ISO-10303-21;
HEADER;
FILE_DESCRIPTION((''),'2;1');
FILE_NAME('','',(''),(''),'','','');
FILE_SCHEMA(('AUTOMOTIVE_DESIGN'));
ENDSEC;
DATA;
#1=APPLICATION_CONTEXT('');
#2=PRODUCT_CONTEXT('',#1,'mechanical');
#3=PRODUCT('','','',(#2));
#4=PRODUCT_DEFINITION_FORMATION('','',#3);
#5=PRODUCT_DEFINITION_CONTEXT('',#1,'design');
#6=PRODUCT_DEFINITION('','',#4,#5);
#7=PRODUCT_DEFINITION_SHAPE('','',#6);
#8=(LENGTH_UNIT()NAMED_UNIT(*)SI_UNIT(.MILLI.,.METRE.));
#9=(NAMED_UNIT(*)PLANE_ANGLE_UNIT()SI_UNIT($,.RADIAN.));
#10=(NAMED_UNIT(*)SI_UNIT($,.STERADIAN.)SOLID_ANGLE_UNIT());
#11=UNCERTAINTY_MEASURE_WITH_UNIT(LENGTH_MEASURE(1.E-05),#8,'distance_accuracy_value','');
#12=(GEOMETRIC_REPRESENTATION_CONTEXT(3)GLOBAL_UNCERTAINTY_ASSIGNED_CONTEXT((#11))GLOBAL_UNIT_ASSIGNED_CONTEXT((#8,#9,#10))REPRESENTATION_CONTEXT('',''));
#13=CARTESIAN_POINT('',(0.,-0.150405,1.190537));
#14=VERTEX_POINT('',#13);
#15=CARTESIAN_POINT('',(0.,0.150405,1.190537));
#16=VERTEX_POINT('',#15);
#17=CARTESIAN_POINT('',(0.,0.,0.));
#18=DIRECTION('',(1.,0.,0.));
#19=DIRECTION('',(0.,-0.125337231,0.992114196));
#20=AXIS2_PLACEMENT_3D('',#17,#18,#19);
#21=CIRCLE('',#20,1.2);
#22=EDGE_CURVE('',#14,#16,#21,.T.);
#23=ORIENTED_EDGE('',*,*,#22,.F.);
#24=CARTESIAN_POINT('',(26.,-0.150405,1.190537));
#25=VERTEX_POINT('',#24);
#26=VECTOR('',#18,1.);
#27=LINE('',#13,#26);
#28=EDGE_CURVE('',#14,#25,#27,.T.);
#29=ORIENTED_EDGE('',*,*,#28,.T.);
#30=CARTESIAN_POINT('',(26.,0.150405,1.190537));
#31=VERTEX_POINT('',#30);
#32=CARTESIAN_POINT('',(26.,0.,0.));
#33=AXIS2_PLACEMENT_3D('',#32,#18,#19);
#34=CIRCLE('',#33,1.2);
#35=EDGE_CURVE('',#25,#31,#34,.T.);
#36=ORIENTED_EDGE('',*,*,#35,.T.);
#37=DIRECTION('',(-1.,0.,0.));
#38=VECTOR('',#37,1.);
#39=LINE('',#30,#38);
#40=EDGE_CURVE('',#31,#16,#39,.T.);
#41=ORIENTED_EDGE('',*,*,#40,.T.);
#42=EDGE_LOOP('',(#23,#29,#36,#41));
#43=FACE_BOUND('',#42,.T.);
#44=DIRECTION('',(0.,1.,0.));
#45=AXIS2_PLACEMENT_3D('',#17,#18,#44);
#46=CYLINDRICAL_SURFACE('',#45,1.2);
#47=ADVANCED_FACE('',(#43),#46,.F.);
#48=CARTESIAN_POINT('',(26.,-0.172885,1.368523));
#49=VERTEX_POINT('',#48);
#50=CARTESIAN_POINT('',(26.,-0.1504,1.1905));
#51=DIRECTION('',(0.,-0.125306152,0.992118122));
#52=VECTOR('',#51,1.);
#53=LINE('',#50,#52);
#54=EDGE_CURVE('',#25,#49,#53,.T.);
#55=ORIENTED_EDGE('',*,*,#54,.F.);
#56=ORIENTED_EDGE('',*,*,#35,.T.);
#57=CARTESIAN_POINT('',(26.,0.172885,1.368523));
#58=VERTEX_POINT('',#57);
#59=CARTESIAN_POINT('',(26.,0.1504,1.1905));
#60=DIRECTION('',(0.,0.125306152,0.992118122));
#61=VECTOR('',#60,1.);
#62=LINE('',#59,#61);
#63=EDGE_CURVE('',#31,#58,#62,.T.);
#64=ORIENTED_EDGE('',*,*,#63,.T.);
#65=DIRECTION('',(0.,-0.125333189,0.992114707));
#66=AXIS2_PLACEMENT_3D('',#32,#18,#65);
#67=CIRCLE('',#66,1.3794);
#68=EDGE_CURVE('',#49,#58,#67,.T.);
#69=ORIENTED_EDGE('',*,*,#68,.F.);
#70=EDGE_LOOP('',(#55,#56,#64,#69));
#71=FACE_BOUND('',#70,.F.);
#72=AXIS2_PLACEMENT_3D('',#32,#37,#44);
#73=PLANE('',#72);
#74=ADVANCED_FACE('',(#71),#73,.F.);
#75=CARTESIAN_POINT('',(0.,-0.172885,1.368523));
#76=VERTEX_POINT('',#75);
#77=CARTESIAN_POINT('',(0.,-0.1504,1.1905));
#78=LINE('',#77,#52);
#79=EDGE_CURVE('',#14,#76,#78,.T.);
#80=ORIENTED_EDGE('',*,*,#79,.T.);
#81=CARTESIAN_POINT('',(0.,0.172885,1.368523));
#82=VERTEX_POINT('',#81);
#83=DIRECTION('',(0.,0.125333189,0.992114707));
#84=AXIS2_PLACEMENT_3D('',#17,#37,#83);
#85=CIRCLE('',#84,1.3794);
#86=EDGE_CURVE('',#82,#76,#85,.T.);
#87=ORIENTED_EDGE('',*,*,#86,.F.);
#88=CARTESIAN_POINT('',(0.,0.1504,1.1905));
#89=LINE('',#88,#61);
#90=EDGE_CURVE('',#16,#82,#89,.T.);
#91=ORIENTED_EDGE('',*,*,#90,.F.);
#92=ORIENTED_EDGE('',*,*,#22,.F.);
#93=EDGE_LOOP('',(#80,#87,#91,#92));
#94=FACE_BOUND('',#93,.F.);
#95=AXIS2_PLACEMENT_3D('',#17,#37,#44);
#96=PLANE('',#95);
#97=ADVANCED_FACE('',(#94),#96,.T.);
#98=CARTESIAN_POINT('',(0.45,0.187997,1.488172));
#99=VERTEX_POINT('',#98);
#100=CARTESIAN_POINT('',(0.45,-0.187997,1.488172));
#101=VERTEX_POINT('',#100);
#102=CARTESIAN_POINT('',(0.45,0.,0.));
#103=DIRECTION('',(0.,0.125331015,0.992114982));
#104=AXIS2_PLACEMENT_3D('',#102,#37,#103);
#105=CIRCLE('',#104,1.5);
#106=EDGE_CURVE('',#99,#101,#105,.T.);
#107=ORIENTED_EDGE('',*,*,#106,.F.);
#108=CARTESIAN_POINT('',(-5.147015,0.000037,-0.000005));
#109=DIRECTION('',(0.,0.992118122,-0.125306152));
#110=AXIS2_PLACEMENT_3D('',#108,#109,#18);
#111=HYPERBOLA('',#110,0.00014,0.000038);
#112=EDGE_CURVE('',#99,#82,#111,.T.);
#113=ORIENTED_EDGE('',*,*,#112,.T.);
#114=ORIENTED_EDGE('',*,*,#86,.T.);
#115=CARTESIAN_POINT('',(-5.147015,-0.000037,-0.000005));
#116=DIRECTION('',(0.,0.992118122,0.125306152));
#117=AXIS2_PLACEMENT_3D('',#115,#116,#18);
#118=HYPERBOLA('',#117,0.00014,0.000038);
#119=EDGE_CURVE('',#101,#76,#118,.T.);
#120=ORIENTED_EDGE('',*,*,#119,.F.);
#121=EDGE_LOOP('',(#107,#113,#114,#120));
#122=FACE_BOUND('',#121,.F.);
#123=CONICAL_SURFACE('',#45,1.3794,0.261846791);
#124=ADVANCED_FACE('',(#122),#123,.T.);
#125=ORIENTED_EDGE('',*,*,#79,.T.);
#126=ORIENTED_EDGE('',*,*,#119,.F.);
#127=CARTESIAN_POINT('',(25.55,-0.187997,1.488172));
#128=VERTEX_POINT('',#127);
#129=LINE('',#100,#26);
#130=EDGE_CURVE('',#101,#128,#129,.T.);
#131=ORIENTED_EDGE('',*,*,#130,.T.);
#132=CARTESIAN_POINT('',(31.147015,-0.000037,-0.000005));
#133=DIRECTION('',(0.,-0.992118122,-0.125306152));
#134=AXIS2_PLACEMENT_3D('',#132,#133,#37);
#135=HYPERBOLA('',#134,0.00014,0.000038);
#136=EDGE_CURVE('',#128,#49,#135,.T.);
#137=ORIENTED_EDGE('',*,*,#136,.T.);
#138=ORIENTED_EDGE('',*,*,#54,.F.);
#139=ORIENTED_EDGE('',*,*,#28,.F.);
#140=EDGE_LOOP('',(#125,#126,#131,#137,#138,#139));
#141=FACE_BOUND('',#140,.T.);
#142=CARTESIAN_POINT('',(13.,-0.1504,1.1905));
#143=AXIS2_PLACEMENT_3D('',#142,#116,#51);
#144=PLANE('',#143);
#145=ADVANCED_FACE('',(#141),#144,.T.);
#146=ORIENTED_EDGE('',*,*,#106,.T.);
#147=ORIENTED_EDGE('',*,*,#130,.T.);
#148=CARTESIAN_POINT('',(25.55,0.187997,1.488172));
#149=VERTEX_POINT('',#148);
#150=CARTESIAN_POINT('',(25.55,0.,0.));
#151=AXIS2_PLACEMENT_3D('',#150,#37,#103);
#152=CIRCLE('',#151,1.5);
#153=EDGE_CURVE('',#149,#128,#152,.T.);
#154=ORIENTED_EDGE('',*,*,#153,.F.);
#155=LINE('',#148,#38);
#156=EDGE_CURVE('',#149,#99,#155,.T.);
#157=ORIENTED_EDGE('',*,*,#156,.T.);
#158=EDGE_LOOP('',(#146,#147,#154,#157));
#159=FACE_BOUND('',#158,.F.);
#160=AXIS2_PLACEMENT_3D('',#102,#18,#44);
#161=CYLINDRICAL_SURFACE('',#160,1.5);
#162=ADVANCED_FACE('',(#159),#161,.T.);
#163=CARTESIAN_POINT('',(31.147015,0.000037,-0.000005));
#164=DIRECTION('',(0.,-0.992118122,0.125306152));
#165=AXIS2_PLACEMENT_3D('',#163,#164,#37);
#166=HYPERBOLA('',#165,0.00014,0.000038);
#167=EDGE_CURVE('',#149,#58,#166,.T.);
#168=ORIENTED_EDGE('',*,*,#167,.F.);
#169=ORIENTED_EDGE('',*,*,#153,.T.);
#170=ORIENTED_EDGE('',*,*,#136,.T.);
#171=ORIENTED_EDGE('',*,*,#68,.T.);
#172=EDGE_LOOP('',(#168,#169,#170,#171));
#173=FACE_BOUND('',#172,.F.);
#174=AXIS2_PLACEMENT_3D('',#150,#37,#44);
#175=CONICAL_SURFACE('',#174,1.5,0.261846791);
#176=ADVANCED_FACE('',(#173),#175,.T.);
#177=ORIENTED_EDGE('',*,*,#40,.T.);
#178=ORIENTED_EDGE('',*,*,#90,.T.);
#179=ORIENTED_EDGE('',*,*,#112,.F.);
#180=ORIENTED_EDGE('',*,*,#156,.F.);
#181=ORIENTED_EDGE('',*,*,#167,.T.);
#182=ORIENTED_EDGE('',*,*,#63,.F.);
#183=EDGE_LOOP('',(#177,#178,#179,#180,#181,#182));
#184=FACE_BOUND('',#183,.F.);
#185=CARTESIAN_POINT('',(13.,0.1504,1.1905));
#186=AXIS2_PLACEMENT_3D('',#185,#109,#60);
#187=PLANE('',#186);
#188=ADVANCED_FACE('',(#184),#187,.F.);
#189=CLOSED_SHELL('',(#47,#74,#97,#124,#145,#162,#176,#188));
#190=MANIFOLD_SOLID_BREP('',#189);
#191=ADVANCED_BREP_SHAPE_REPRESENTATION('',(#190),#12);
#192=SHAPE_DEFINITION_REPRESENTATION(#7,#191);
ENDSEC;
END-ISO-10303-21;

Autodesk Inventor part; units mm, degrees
ref_plane "YZ Plane" through (0, 0, 0) normal (1, 0, 0) x (0, 1, 0)
ref_plane "XZ Plane" through (0, 0, 0) normal (0, 1, 0) x (-1, 0, 0)
sketch "Skizze1" plane through (0, 0, 0) normal (0, 0, 1) x (1, 0, 0)
  line L0 (0, 1.2) -> (0, 1.3794)
  line L1 (0, 1.3794) -> (0.45, 1.5)
  line L2 (0.45, 1.5) -> (25.55, 1.5)
  line L3 (25.55, 1.5) -> (26, 1.3794)
  line L4 (26, 1.3794) -> (26, 1.2)
  line L5 (26, 0) -> (0, 0)
  line L6 (0, 1.2) -> (26, 1.2)
  line L7 (0, 1.2) -> (0, 0) construction
  line L8 (26, 1.2) -> (26, 0) construction
  line L9 (0, 1.5) -> (0, -0.25) projected
  line L10 (-2, 0) -> (12, 0) projected
  dimension "d0" = 26
  dimension "d1" = 3
  dimension "d2" = 2.4
  dimension "d3" = 15
  dimension "d4" = 15
  dimension "d7" = 0.1206
  dimension "d8" = 0.1206
revolve "Körper" add sketch "Skizze1" angle 360 about axis through (26, 0, 0) along (-1, 0, 0)
ref_plane "IDS_WORKPLANE{1}" through (13, 0, 0) normal (1, 0, 0) x (0, 1, 0)
sketch "Skizze2" plane through (13, 0, 0) normal (1, 0, 0) x (0, 1, 0)
  arc A0 (0.188, 1.4882) -> (-0.188, 1.4882) centre (0, 0) ccw
  arc A1 (0.1504, 1.1905) -> (-0.1504, 1.1905) centre (0, 0) ccw
  line L0 (-0.1504, 1.1905) -> (-0.188, 1.4882)
  line L1 (0.1504, 1.1905) -> (0.188, 1.4882)
  line L2 (0, 1.5) -> (0, -0.25) projected
  line L3 (-0.2193, 0) -> (0.2193, 0) projected
  dimension "d11" = 1.5
  dimension "d12" = 1.2
  dimension "d14" = 0.3
  dimension "d15" = 7.2
extrude "Schnitt" cut sketch "Skizze2" against normal mid plane 26
equation "\"d0\" = NLG"
equation "\"d1\" = NND"
equation "\"d2\" = NND - 2 * SD"
equation "\"d3\" = FAWI"
equation "\"d4\" = FAWI"
equation "\"d11\" = 0.5 * NND"
equation "\"d12\" = -SD + 0.5 * NND"
equation "\"d14\" = SD"
equation "\"d5\" = NLG"
equation "\"NND\" = 3"
equation "\"NLG\" = 26"
equation "\"SD\" = 0.3"
equation "\"PHH\" = 0.45"
equation "\"PHH1\" = PHH"
equation "\"FAWI\" = 15deg"
equation "\"d9\" = 0.5 * NLG"
equation "\"NND1\" = 3.5"
properties part number "ISO 13337 - 3 x 26" material "Edelstahl, austenitisch"
